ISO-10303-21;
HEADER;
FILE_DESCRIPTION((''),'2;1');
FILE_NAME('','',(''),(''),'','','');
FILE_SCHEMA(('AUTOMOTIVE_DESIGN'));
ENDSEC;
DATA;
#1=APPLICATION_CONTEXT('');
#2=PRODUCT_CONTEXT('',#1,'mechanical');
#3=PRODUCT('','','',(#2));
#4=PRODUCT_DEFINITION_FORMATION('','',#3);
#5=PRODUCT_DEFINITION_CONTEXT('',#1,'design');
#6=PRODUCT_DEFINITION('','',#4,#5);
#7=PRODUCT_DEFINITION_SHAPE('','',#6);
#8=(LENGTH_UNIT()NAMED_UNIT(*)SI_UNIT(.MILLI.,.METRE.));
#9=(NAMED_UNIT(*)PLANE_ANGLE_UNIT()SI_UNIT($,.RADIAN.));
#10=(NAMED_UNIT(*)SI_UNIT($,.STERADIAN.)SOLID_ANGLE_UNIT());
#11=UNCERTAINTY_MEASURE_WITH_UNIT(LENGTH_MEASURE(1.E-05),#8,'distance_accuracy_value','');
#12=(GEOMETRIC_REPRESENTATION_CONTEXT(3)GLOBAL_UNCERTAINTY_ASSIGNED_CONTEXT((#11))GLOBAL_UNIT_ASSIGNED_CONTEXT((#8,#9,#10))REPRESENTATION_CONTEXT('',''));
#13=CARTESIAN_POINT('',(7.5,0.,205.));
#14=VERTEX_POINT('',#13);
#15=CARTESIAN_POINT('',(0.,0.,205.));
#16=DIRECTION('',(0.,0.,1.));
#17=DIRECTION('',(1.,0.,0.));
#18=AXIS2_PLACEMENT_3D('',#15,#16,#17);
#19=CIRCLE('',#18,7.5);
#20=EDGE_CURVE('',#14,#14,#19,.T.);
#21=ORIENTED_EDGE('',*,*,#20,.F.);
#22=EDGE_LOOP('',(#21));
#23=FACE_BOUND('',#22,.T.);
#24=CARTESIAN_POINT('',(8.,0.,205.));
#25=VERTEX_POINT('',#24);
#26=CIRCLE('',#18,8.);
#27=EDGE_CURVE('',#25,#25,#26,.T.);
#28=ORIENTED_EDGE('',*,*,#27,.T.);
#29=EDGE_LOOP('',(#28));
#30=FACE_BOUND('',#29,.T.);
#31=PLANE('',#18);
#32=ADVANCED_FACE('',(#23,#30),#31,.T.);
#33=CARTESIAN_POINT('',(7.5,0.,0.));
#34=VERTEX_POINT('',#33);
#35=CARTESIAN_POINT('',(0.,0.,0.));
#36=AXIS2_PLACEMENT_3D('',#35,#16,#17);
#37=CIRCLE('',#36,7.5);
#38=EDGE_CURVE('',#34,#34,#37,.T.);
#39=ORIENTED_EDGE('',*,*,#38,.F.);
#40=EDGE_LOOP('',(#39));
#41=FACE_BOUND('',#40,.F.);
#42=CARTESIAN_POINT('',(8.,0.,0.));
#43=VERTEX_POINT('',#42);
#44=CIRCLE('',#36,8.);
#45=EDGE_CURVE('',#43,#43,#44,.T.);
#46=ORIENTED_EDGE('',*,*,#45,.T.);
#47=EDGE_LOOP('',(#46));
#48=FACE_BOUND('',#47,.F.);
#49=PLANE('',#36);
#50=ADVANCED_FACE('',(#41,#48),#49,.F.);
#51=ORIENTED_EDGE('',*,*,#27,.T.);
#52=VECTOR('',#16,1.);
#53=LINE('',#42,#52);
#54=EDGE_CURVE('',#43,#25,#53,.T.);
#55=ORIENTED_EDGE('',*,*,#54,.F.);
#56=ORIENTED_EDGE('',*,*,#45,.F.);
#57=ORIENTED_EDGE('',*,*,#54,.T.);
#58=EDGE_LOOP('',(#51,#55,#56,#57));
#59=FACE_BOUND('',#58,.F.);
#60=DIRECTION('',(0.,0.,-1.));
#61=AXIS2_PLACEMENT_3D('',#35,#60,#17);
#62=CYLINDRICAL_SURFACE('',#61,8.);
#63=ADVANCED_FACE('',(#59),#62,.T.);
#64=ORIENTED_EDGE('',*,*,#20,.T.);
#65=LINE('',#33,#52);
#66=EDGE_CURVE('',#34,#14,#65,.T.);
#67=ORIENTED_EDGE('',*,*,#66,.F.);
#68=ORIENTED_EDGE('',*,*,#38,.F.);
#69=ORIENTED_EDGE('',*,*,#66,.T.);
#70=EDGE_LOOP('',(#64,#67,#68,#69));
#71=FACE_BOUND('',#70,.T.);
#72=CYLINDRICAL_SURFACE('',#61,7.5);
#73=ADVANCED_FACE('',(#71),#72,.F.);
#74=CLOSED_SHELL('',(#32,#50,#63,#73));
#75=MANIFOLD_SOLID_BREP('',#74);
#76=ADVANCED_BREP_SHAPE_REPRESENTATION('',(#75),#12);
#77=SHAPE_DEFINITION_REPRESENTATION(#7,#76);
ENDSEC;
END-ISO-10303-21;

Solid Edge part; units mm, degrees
sketch "Sketch1" plane through (0, 0, 0) normal (0, 0, 1) x (1, 0, 0)
  circle A0 centre (0, 0) radius 7.5
  circle A1 centre (0, 0) radius 8
  dimension "D1" = 16
  dimension "D2" = 15
extrude "Protrusion1" add sketch "Sketch1" along normal blind 205
